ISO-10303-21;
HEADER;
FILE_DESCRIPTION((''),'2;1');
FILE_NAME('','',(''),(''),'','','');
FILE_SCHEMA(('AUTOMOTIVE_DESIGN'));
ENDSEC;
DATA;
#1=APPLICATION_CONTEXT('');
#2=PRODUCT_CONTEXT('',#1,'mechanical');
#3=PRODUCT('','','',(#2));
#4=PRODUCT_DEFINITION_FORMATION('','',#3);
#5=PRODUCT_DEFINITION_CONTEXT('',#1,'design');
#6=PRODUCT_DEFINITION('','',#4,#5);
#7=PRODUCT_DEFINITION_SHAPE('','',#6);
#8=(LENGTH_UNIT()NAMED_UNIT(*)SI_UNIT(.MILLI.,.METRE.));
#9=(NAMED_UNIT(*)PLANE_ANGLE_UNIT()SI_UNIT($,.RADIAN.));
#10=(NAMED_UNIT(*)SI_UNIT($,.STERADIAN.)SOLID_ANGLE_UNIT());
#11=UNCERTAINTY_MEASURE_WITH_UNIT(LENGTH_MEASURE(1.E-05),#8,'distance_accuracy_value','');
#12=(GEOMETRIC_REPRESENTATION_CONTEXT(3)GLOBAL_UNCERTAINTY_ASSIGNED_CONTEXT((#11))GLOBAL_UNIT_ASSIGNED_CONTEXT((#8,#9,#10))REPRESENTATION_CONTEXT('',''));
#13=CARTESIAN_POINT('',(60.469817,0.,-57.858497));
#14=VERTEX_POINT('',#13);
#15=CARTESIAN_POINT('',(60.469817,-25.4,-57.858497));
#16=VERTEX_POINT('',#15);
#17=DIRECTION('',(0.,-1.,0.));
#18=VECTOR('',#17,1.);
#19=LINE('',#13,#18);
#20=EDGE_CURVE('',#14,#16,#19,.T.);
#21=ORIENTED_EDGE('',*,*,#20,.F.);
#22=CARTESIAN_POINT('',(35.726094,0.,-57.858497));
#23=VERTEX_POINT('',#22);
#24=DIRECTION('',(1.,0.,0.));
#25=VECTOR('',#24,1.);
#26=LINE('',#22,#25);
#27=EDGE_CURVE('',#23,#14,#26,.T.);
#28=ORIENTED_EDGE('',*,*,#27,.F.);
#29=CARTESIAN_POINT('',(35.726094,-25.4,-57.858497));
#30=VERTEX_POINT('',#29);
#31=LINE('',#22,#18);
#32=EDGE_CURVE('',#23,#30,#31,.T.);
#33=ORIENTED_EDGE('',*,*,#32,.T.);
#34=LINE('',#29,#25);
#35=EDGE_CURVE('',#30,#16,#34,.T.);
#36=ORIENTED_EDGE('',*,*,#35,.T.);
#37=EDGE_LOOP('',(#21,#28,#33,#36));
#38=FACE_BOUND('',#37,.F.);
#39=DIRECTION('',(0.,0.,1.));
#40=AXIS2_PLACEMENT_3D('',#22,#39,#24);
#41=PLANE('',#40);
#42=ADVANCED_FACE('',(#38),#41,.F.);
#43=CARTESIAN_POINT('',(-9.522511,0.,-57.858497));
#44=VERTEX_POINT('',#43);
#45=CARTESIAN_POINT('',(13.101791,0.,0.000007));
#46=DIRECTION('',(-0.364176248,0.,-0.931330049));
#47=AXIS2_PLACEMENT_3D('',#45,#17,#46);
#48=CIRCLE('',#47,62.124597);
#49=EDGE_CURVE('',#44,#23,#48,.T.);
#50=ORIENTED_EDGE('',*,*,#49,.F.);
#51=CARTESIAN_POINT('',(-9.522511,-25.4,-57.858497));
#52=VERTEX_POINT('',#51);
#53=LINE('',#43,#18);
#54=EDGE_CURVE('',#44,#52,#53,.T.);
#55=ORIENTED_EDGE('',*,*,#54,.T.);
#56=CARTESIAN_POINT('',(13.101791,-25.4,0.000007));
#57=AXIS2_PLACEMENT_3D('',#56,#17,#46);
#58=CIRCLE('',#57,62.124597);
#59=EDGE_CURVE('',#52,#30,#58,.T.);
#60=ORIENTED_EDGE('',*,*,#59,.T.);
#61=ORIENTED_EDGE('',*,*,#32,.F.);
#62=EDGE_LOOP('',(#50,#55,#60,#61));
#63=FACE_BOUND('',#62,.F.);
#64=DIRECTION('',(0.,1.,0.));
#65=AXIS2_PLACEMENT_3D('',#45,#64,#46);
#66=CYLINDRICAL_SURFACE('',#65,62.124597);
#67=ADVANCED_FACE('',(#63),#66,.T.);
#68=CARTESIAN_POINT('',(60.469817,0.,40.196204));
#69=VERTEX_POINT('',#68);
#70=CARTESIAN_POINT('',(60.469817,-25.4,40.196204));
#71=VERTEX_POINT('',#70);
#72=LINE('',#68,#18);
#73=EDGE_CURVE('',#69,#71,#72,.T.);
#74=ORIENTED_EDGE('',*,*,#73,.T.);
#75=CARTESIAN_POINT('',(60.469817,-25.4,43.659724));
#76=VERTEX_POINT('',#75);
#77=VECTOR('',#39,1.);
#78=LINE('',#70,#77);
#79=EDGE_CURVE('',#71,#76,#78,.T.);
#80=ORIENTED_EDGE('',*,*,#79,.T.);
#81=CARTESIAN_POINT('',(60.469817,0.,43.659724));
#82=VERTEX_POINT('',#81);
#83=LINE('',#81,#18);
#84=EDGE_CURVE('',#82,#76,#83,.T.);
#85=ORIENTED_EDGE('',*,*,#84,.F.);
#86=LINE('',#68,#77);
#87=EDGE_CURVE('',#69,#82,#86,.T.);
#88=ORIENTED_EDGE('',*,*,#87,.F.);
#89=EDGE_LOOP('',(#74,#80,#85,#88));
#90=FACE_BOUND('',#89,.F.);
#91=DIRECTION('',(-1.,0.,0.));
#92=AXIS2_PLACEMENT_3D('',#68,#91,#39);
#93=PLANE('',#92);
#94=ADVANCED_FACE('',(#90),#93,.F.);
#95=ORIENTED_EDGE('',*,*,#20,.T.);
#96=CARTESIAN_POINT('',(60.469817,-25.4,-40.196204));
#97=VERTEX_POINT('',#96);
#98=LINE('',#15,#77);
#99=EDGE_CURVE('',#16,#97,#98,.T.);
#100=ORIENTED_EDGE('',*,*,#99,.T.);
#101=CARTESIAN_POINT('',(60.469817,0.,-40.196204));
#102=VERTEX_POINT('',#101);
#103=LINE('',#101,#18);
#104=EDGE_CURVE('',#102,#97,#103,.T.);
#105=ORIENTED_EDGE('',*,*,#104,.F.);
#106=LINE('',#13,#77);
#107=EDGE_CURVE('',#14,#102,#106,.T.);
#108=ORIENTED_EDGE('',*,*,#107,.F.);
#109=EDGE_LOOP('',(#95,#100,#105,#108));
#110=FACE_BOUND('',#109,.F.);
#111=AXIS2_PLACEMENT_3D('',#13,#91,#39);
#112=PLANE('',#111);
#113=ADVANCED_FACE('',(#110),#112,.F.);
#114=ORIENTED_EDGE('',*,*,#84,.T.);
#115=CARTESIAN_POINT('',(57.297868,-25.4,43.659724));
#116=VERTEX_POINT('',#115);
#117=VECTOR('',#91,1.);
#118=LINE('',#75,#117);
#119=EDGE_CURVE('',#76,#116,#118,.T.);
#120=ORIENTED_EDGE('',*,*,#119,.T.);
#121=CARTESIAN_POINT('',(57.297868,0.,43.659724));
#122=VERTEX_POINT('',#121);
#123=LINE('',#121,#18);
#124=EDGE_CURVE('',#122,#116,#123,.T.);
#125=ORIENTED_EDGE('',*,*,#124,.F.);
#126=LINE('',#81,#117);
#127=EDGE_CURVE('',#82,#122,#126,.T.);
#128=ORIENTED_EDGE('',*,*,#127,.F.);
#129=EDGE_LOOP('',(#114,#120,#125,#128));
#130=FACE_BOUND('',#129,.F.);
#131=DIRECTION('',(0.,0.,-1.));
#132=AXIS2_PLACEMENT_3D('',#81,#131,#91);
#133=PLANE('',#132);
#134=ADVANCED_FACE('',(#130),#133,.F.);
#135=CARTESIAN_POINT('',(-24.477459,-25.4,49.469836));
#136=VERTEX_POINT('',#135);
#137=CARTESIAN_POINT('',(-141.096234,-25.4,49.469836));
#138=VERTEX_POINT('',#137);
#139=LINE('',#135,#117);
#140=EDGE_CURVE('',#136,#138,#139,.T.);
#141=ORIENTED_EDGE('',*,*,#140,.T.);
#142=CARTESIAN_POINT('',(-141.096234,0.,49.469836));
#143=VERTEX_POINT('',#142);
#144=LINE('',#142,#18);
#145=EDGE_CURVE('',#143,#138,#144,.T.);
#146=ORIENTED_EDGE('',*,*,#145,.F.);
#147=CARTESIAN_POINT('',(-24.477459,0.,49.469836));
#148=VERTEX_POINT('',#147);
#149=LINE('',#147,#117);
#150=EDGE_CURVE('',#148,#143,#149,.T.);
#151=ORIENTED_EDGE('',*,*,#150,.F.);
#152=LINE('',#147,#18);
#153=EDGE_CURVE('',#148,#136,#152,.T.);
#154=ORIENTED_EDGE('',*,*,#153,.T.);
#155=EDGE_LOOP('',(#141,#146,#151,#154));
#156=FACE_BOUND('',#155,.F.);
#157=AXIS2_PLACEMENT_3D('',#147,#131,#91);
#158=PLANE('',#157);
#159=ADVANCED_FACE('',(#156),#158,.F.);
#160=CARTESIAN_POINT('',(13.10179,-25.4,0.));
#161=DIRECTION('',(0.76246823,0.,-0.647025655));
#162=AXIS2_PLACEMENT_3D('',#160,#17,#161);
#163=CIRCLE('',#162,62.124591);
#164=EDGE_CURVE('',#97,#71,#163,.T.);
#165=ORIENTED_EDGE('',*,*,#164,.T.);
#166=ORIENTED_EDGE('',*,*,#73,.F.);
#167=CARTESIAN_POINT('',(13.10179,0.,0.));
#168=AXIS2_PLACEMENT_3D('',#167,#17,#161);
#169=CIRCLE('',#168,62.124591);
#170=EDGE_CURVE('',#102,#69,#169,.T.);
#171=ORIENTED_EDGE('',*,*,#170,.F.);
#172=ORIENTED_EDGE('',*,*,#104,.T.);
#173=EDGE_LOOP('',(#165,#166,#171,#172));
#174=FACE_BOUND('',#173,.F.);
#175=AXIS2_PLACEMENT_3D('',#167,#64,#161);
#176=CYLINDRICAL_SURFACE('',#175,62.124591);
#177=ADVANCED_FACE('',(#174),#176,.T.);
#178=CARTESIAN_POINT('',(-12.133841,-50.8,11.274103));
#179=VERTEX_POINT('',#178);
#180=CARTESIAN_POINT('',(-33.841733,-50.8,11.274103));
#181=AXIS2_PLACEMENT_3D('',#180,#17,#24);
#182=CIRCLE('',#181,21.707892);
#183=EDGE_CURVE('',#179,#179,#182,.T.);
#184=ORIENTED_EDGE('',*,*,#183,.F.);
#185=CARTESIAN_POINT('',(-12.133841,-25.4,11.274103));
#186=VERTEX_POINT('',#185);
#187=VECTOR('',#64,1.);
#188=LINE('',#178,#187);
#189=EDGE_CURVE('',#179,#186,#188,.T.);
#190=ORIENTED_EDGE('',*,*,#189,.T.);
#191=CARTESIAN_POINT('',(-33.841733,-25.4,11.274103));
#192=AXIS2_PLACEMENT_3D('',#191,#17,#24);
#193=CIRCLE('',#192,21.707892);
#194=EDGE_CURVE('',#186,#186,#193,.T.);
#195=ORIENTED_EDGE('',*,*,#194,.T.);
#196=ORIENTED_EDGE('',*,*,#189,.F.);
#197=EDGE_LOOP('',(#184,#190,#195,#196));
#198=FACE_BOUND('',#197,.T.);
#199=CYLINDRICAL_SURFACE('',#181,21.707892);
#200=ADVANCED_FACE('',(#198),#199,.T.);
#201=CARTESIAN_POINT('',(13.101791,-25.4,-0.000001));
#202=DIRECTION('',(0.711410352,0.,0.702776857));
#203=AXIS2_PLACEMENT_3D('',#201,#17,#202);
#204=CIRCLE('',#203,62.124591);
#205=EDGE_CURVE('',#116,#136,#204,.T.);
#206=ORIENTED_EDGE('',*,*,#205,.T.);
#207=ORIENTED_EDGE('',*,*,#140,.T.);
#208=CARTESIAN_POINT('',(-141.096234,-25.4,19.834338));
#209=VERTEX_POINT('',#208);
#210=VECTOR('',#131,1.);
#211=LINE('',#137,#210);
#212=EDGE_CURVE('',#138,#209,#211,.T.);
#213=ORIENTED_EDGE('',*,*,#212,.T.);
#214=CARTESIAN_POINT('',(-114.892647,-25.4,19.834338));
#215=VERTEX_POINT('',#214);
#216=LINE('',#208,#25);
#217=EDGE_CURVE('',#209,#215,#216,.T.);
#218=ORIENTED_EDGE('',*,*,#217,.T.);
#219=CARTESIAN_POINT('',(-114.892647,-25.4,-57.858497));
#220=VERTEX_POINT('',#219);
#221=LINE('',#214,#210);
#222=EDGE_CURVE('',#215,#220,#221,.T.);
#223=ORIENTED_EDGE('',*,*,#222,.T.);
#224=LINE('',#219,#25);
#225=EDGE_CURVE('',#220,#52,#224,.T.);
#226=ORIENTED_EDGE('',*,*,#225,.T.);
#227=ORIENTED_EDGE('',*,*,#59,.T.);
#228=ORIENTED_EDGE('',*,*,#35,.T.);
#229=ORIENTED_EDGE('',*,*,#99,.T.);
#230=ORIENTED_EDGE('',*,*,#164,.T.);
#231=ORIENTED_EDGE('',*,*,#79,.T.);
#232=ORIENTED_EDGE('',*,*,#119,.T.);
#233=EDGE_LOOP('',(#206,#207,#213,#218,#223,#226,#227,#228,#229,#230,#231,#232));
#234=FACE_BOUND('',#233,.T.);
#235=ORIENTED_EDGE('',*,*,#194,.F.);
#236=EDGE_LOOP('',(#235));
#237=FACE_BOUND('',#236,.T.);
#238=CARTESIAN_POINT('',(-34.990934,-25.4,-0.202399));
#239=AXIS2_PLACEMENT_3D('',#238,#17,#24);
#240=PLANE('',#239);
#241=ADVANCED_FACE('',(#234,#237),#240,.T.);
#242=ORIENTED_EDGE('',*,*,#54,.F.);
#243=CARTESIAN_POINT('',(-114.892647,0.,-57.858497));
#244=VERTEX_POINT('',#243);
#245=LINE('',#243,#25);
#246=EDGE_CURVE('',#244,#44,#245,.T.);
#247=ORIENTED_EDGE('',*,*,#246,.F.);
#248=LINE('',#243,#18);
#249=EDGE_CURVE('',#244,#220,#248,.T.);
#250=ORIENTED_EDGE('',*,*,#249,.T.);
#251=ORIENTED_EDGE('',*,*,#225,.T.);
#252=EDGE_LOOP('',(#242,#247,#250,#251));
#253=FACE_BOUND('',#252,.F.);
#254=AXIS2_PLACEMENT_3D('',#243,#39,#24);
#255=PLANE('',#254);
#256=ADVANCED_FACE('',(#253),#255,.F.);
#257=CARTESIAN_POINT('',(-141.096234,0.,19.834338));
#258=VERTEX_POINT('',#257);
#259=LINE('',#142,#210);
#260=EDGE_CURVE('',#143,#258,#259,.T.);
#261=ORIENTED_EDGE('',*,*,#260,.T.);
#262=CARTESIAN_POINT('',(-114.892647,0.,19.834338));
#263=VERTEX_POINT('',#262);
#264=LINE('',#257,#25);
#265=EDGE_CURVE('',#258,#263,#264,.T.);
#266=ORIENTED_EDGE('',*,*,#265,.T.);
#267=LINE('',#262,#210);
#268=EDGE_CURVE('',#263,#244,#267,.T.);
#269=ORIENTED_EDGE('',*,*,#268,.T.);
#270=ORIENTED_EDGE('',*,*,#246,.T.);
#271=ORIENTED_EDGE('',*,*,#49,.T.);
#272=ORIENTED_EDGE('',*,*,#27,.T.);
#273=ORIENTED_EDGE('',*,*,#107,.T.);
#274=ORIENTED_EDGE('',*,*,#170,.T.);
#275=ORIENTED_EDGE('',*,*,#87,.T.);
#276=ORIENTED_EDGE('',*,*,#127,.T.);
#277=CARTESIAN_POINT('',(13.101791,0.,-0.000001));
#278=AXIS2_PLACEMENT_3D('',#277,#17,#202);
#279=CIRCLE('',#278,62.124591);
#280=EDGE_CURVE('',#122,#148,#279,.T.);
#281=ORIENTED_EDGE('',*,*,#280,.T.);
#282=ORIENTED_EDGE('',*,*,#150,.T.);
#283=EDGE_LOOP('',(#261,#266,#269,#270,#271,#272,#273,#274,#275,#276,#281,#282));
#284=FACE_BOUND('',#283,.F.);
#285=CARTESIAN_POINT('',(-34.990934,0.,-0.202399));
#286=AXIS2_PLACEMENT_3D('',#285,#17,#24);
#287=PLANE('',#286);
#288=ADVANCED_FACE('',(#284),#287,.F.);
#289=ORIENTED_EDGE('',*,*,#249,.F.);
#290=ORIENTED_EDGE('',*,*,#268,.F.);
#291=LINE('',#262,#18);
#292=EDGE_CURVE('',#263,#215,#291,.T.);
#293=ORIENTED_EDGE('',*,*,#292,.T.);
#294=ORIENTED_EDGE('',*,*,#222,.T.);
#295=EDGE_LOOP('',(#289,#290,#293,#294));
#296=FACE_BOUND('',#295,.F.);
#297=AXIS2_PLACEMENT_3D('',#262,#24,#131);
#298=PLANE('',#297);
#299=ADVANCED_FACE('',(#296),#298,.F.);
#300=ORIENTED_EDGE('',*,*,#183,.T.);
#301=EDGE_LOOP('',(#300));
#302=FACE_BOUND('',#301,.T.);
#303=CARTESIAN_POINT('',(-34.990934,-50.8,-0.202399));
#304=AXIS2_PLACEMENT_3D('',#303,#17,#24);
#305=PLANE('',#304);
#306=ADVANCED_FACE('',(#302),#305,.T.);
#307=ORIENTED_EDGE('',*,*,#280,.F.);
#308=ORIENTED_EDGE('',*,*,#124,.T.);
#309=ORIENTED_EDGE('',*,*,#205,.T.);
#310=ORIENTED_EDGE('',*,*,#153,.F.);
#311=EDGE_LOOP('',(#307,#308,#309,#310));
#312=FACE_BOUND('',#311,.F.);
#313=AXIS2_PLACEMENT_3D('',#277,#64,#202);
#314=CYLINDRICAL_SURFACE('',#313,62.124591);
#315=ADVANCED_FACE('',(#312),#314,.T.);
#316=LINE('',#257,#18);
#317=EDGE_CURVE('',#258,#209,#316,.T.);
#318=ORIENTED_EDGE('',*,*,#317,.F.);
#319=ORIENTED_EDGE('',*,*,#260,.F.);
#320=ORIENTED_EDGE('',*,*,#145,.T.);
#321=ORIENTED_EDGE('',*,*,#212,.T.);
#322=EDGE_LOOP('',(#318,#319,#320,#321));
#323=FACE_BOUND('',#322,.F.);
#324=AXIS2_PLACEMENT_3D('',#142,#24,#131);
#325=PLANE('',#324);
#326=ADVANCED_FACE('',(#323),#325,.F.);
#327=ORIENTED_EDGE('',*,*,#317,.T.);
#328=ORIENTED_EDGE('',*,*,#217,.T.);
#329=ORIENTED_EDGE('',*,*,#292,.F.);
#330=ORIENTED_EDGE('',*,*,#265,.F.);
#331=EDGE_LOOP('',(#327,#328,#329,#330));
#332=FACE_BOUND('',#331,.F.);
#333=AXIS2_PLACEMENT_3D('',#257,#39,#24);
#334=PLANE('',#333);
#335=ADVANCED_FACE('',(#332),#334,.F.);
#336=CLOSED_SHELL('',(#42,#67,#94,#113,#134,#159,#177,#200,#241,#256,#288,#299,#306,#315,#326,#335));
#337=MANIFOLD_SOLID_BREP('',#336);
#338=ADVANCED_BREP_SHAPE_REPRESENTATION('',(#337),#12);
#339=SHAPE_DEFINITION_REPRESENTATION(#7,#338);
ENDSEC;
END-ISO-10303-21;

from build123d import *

# Parameters (mm, degrees)
F1_DEPTH = 50.8
F2_R     = 21.707892
F3_DEPTH = 25.4


with BuildPart() as f1:
    # F0 (on Front) → F1 (new body)
    with BuildSketch(Plane.XZ):
        with BuildLine():
            Line((-114.892647, 19.834338), (-114.892647, -57.858497))
            Line((-114.892647, -57.858497), (-9.522511, -57.858497))
            ThreePointArc((-9.522511, -57.858497), (13.101791, -62.12459), (35.726094, -57.858497))
            Line((35.726094, -57.858497), (60.469817, -57.858497))
            Line((60.469817, -57.858497), (60.469817, -40.196204))
            ThreePointArc((60.469817, -40.196204), (75.226381, 0), (60.469817, 40.196204))
            Line((60.469817, 40.196204), (60.469817, 43.659724))
            Line((60.469817, 43.659724), (57.297868, 43.659724))
            ThreePointArc((57.297868, 43.659724), (17.504625, 61.968377), (-24.477459, 49.469836))
            Line((-24.477459, 49.469836), (-141.096234, 49.469836))
            Line((-141.096234, 49.469836), (-141.096234, 19.834338))
            Line((-141.096234, 19.834338), (-114.892647, 19.834338))
        make_face()
    extrude(amount=F1_DEPTH)

    # F2 (on face) → F3 (cut)
    with BuildSketch(Plane.XZ.offset(50.8)):
        with BuildLine():
            ThreePointArc((57.297868, 43.659724), (17.504625, 61.968377), (-24.477459, 49.469836))
            Line((-24.477459, 49.469836), (-141.096234, 49.469836))
            Line((-141.096234, 49.469836), (-141.096234, 19.834338))
            Line((-141.096234, 19.834338), (-114.892647, 19.834338))
            Line((-114.892647, 19.834338), (-114.892647, -57.858497))
            Line((-114.892647, -57.858497), (-9.522511, -57.858497))
            ThreePointArc((-9.522511, -57.858497), (13.101791, -62.12459), (35.726094, -57.858497))
            Line((35.726094, -57.858497), (60.469817, -57.858497))
            Line((60.469817, -57.858497), (60.469817, -40.196204))
            ThreePointArc((60.469817, -40.196204), (75.226381, 0), (60.469817, 40.196204))
            Line((60.469817, 40.196204), (60.469817, 43.659724))
            Line((60.469817, 43.659724), (57.297868, 43.659724))
        make_face()
        with Locations((-33.841733, 11.274103)):
            Circle(F2_R, mode=Mode.SUBTRACT)
    extrude(amount=-F3_DEPTH, mode=Mode.SUBTRACT)


solid = f1.part
